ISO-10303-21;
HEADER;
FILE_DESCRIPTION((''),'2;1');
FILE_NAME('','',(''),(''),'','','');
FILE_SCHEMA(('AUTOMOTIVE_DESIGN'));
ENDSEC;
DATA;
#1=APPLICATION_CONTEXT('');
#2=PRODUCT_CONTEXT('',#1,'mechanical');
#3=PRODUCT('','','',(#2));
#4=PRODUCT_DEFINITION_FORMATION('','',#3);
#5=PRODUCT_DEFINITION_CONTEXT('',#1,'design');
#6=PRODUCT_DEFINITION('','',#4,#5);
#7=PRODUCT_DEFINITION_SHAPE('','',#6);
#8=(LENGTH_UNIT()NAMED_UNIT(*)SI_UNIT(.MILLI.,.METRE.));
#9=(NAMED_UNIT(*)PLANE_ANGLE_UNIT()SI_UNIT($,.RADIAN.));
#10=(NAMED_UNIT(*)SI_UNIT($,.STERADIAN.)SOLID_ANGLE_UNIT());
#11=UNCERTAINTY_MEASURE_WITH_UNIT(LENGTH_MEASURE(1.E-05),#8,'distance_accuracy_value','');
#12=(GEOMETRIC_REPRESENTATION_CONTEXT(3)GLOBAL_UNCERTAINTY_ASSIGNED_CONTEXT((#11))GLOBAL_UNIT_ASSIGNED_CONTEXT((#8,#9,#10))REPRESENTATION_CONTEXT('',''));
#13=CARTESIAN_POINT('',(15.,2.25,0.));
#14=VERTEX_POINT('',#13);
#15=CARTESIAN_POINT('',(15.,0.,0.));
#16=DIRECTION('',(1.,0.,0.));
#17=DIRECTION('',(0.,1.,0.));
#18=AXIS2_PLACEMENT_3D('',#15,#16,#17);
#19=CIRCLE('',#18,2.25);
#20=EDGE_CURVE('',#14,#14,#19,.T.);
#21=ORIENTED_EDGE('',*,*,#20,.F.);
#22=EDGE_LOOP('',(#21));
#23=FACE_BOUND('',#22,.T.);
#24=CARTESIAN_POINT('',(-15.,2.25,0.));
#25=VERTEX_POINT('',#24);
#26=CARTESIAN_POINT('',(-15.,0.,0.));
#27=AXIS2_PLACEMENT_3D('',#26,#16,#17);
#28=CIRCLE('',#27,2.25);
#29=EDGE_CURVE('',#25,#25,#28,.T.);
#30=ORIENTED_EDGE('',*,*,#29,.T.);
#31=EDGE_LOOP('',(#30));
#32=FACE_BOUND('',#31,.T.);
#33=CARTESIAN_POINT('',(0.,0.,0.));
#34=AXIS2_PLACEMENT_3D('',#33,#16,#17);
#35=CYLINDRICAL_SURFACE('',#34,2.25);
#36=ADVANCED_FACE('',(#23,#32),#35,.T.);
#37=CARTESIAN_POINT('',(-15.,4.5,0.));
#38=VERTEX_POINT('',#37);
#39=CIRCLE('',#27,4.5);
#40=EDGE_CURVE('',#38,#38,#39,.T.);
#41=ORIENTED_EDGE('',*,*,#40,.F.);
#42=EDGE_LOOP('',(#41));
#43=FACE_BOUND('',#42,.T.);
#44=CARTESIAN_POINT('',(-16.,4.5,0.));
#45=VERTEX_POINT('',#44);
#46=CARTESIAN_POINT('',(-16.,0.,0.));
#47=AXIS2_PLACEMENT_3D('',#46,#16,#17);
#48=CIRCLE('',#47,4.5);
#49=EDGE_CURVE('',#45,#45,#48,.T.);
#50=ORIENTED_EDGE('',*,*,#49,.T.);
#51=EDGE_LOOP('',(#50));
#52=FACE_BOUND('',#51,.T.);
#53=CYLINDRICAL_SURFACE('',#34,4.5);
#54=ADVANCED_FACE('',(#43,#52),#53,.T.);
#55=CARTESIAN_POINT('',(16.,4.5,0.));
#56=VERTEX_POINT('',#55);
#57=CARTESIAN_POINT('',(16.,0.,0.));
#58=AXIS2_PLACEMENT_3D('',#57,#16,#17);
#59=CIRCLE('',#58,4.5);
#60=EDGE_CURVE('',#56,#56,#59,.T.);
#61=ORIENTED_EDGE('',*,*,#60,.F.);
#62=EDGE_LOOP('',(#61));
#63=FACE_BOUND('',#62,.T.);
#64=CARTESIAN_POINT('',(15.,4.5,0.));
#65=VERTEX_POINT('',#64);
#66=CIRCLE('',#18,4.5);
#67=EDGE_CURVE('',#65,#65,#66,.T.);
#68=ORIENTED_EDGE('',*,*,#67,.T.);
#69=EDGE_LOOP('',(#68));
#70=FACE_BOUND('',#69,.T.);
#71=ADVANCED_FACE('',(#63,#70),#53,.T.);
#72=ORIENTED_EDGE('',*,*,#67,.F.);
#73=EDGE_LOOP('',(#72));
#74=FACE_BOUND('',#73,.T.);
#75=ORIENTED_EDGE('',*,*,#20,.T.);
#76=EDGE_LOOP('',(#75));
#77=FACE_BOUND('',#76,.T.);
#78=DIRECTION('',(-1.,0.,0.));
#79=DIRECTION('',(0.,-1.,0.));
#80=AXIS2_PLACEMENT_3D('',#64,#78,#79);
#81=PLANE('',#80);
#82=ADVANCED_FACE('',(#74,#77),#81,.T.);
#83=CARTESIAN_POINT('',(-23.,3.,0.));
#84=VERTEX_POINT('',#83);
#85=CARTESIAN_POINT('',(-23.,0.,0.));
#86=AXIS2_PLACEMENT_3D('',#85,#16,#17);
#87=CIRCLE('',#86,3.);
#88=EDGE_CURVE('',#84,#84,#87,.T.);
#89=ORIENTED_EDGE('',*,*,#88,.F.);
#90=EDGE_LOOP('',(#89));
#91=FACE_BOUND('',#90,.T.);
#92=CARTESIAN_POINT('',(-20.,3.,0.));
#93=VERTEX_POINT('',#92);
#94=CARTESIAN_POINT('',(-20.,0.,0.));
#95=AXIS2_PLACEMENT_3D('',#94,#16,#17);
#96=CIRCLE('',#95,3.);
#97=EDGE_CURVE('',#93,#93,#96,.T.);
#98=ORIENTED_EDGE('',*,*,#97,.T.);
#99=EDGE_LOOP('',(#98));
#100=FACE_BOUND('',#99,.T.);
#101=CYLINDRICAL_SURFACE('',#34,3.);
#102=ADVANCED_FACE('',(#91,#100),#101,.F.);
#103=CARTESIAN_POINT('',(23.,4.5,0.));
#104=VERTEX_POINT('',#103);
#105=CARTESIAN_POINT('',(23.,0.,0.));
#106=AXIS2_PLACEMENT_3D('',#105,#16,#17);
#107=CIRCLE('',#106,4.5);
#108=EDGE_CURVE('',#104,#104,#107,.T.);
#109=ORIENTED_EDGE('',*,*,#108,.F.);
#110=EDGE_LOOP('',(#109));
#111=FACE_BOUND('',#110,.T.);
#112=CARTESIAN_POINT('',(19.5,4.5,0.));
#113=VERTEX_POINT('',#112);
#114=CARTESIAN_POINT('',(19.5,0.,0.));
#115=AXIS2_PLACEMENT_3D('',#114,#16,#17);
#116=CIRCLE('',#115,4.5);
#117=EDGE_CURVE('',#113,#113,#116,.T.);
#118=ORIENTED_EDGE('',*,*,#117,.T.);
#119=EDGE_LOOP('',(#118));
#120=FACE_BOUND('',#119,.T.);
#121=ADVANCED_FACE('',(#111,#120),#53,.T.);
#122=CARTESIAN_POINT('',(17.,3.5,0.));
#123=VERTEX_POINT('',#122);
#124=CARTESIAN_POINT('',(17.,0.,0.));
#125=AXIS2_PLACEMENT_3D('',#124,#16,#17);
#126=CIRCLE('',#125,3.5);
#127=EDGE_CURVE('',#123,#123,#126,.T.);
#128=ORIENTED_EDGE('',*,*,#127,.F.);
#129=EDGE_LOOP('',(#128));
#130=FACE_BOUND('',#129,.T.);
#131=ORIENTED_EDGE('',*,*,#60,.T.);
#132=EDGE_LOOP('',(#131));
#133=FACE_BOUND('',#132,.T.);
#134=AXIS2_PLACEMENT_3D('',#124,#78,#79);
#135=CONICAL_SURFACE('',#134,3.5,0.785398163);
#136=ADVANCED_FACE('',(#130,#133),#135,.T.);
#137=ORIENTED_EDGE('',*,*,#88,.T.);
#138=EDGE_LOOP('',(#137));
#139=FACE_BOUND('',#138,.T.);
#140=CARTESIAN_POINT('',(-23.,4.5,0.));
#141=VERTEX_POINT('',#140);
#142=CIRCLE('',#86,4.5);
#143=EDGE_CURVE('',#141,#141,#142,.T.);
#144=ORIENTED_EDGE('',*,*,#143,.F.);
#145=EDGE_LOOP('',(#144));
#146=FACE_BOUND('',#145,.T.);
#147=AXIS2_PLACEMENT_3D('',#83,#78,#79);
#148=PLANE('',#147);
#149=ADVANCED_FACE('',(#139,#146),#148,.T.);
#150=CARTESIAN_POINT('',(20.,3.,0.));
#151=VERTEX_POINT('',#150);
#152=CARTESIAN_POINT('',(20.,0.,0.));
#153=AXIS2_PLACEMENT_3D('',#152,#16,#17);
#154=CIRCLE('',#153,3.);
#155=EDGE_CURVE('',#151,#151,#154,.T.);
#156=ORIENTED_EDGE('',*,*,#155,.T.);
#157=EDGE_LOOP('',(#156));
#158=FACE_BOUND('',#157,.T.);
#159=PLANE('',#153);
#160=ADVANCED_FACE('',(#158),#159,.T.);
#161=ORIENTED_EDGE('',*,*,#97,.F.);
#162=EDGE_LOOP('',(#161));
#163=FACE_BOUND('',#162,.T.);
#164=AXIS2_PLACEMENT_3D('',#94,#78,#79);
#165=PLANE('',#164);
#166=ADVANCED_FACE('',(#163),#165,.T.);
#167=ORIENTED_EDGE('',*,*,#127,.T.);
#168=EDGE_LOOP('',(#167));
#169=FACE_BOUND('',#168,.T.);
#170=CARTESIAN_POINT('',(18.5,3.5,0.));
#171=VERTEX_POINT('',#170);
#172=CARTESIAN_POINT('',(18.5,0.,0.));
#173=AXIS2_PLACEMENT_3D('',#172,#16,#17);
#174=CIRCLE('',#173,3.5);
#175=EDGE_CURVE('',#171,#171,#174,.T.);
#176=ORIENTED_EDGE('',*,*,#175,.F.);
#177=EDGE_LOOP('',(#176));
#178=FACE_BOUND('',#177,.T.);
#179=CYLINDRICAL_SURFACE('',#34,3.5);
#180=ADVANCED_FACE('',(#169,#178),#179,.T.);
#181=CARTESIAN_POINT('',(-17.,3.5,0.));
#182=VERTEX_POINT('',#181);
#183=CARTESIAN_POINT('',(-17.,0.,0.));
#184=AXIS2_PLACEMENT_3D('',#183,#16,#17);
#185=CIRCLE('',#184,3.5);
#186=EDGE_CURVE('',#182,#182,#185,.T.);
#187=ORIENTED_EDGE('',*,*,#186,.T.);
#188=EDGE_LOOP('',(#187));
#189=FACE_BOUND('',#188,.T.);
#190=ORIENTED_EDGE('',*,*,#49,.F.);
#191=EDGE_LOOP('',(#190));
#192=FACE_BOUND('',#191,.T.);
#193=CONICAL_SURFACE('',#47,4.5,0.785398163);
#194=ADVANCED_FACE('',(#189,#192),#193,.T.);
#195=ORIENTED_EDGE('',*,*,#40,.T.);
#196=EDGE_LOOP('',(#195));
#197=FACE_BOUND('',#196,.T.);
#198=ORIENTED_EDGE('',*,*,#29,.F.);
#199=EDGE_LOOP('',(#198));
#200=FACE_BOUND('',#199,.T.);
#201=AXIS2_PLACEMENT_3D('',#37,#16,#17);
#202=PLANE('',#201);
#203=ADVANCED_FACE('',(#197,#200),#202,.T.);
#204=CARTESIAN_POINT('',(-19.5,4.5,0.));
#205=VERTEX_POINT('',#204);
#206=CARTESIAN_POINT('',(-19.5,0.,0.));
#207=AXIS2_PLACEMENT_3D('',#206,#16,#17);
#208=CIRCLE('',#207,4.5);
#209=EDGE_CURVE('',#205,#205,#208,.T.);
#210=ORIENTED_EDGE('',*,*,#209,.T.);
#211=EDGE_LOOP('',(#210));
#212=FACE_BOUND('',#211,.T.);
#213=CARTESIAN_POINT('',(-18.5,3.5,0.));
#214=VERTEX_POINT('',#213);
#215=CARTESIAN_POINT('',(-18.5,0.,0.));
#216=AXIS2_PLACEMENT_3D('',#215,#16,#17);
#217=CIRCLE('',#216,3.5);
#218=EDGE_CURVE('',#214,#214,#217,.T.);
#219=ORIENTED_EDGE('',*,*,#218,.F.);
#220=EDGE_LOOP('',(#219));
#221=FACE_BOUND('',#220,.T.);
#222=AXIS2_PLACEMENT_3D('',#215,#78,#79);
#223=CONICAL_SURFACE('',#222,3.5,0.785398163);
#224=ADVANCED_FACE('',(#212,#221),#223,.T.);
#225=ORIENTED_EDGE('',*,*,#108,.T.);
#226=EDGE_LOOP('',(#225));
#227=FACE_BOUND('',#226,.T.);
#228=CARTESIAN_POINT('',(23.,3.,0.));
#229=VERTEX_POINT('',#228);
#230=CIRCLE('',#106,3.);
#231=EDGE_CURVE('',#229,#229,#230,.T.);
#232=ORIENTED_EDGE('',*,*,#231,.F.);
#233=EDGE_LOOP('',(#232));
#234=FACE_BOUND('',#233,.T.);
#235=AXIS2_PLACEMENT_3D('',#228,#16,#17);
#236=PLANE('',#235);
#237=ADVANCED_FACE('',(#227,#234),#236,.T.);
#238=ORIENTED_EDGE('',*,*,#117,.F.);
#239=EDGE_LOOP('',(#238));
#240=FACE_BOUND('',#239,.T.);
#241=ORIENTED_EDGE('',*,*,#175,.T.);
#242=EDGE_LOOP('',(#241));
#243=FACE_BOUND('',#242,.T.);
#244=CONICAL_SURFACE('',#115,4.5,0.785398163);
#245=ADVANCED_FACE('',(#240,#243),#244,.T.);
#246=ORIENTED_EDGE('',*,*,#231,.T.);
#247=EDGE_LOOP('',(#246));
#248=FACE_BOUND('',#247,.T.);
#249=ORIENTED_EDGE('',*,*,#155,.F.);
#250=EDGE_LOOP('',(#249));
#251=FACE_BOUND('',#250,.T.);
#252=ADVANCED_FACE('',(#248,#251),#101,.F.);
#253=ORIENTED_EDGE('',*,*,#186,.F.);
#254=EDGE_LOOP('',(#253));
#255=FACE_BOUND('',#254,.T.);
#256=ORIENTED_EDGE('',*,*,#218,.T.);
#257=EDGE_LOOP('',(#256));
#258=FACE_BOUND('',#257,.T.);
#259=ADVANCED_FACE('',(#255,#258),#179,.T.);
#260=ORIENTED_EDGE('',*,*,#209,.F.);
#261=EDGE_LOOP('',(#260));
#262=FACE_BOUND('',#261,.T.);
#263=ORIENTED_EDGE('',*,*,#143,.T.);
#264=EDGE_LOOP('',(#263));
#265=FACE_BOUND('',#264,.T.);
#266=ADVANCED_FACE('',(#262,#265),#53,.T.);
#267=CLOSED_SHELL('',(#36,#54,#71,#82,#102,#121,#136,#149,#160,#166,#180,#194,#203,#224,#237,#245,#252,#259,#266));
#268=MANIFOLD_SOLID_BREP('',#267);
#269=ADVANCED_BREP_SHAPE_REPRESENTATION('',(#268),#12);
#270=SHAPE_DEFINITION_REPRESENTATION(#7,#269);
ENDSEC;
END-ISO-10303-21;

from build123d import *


with BuildPart() as part:
    # Esquisse1 → Revolution1 (revolve)
    with BuildSketch(Plane.XY):
        Polygon((0, 0), (-20, 0), (-20, 3), (-23, 3), (-23, 4.5), (-19.5, 4.5), (-18.5, 3.5), (-17, 3.5), (-16, 4.5), (-15, 4.5), (-15, 2.25), (15, 2.25), (15, 4.5), (16, 4.5), (17, 3.5), (18.5, 3.5), (19.5, 4.5), (23, 4.5), (23, 3), (20, 3), (20, 0), align=None)
    revolve(axis=Axis((0, 0, 0), (-1, 0, 0)))


solid = part.part
